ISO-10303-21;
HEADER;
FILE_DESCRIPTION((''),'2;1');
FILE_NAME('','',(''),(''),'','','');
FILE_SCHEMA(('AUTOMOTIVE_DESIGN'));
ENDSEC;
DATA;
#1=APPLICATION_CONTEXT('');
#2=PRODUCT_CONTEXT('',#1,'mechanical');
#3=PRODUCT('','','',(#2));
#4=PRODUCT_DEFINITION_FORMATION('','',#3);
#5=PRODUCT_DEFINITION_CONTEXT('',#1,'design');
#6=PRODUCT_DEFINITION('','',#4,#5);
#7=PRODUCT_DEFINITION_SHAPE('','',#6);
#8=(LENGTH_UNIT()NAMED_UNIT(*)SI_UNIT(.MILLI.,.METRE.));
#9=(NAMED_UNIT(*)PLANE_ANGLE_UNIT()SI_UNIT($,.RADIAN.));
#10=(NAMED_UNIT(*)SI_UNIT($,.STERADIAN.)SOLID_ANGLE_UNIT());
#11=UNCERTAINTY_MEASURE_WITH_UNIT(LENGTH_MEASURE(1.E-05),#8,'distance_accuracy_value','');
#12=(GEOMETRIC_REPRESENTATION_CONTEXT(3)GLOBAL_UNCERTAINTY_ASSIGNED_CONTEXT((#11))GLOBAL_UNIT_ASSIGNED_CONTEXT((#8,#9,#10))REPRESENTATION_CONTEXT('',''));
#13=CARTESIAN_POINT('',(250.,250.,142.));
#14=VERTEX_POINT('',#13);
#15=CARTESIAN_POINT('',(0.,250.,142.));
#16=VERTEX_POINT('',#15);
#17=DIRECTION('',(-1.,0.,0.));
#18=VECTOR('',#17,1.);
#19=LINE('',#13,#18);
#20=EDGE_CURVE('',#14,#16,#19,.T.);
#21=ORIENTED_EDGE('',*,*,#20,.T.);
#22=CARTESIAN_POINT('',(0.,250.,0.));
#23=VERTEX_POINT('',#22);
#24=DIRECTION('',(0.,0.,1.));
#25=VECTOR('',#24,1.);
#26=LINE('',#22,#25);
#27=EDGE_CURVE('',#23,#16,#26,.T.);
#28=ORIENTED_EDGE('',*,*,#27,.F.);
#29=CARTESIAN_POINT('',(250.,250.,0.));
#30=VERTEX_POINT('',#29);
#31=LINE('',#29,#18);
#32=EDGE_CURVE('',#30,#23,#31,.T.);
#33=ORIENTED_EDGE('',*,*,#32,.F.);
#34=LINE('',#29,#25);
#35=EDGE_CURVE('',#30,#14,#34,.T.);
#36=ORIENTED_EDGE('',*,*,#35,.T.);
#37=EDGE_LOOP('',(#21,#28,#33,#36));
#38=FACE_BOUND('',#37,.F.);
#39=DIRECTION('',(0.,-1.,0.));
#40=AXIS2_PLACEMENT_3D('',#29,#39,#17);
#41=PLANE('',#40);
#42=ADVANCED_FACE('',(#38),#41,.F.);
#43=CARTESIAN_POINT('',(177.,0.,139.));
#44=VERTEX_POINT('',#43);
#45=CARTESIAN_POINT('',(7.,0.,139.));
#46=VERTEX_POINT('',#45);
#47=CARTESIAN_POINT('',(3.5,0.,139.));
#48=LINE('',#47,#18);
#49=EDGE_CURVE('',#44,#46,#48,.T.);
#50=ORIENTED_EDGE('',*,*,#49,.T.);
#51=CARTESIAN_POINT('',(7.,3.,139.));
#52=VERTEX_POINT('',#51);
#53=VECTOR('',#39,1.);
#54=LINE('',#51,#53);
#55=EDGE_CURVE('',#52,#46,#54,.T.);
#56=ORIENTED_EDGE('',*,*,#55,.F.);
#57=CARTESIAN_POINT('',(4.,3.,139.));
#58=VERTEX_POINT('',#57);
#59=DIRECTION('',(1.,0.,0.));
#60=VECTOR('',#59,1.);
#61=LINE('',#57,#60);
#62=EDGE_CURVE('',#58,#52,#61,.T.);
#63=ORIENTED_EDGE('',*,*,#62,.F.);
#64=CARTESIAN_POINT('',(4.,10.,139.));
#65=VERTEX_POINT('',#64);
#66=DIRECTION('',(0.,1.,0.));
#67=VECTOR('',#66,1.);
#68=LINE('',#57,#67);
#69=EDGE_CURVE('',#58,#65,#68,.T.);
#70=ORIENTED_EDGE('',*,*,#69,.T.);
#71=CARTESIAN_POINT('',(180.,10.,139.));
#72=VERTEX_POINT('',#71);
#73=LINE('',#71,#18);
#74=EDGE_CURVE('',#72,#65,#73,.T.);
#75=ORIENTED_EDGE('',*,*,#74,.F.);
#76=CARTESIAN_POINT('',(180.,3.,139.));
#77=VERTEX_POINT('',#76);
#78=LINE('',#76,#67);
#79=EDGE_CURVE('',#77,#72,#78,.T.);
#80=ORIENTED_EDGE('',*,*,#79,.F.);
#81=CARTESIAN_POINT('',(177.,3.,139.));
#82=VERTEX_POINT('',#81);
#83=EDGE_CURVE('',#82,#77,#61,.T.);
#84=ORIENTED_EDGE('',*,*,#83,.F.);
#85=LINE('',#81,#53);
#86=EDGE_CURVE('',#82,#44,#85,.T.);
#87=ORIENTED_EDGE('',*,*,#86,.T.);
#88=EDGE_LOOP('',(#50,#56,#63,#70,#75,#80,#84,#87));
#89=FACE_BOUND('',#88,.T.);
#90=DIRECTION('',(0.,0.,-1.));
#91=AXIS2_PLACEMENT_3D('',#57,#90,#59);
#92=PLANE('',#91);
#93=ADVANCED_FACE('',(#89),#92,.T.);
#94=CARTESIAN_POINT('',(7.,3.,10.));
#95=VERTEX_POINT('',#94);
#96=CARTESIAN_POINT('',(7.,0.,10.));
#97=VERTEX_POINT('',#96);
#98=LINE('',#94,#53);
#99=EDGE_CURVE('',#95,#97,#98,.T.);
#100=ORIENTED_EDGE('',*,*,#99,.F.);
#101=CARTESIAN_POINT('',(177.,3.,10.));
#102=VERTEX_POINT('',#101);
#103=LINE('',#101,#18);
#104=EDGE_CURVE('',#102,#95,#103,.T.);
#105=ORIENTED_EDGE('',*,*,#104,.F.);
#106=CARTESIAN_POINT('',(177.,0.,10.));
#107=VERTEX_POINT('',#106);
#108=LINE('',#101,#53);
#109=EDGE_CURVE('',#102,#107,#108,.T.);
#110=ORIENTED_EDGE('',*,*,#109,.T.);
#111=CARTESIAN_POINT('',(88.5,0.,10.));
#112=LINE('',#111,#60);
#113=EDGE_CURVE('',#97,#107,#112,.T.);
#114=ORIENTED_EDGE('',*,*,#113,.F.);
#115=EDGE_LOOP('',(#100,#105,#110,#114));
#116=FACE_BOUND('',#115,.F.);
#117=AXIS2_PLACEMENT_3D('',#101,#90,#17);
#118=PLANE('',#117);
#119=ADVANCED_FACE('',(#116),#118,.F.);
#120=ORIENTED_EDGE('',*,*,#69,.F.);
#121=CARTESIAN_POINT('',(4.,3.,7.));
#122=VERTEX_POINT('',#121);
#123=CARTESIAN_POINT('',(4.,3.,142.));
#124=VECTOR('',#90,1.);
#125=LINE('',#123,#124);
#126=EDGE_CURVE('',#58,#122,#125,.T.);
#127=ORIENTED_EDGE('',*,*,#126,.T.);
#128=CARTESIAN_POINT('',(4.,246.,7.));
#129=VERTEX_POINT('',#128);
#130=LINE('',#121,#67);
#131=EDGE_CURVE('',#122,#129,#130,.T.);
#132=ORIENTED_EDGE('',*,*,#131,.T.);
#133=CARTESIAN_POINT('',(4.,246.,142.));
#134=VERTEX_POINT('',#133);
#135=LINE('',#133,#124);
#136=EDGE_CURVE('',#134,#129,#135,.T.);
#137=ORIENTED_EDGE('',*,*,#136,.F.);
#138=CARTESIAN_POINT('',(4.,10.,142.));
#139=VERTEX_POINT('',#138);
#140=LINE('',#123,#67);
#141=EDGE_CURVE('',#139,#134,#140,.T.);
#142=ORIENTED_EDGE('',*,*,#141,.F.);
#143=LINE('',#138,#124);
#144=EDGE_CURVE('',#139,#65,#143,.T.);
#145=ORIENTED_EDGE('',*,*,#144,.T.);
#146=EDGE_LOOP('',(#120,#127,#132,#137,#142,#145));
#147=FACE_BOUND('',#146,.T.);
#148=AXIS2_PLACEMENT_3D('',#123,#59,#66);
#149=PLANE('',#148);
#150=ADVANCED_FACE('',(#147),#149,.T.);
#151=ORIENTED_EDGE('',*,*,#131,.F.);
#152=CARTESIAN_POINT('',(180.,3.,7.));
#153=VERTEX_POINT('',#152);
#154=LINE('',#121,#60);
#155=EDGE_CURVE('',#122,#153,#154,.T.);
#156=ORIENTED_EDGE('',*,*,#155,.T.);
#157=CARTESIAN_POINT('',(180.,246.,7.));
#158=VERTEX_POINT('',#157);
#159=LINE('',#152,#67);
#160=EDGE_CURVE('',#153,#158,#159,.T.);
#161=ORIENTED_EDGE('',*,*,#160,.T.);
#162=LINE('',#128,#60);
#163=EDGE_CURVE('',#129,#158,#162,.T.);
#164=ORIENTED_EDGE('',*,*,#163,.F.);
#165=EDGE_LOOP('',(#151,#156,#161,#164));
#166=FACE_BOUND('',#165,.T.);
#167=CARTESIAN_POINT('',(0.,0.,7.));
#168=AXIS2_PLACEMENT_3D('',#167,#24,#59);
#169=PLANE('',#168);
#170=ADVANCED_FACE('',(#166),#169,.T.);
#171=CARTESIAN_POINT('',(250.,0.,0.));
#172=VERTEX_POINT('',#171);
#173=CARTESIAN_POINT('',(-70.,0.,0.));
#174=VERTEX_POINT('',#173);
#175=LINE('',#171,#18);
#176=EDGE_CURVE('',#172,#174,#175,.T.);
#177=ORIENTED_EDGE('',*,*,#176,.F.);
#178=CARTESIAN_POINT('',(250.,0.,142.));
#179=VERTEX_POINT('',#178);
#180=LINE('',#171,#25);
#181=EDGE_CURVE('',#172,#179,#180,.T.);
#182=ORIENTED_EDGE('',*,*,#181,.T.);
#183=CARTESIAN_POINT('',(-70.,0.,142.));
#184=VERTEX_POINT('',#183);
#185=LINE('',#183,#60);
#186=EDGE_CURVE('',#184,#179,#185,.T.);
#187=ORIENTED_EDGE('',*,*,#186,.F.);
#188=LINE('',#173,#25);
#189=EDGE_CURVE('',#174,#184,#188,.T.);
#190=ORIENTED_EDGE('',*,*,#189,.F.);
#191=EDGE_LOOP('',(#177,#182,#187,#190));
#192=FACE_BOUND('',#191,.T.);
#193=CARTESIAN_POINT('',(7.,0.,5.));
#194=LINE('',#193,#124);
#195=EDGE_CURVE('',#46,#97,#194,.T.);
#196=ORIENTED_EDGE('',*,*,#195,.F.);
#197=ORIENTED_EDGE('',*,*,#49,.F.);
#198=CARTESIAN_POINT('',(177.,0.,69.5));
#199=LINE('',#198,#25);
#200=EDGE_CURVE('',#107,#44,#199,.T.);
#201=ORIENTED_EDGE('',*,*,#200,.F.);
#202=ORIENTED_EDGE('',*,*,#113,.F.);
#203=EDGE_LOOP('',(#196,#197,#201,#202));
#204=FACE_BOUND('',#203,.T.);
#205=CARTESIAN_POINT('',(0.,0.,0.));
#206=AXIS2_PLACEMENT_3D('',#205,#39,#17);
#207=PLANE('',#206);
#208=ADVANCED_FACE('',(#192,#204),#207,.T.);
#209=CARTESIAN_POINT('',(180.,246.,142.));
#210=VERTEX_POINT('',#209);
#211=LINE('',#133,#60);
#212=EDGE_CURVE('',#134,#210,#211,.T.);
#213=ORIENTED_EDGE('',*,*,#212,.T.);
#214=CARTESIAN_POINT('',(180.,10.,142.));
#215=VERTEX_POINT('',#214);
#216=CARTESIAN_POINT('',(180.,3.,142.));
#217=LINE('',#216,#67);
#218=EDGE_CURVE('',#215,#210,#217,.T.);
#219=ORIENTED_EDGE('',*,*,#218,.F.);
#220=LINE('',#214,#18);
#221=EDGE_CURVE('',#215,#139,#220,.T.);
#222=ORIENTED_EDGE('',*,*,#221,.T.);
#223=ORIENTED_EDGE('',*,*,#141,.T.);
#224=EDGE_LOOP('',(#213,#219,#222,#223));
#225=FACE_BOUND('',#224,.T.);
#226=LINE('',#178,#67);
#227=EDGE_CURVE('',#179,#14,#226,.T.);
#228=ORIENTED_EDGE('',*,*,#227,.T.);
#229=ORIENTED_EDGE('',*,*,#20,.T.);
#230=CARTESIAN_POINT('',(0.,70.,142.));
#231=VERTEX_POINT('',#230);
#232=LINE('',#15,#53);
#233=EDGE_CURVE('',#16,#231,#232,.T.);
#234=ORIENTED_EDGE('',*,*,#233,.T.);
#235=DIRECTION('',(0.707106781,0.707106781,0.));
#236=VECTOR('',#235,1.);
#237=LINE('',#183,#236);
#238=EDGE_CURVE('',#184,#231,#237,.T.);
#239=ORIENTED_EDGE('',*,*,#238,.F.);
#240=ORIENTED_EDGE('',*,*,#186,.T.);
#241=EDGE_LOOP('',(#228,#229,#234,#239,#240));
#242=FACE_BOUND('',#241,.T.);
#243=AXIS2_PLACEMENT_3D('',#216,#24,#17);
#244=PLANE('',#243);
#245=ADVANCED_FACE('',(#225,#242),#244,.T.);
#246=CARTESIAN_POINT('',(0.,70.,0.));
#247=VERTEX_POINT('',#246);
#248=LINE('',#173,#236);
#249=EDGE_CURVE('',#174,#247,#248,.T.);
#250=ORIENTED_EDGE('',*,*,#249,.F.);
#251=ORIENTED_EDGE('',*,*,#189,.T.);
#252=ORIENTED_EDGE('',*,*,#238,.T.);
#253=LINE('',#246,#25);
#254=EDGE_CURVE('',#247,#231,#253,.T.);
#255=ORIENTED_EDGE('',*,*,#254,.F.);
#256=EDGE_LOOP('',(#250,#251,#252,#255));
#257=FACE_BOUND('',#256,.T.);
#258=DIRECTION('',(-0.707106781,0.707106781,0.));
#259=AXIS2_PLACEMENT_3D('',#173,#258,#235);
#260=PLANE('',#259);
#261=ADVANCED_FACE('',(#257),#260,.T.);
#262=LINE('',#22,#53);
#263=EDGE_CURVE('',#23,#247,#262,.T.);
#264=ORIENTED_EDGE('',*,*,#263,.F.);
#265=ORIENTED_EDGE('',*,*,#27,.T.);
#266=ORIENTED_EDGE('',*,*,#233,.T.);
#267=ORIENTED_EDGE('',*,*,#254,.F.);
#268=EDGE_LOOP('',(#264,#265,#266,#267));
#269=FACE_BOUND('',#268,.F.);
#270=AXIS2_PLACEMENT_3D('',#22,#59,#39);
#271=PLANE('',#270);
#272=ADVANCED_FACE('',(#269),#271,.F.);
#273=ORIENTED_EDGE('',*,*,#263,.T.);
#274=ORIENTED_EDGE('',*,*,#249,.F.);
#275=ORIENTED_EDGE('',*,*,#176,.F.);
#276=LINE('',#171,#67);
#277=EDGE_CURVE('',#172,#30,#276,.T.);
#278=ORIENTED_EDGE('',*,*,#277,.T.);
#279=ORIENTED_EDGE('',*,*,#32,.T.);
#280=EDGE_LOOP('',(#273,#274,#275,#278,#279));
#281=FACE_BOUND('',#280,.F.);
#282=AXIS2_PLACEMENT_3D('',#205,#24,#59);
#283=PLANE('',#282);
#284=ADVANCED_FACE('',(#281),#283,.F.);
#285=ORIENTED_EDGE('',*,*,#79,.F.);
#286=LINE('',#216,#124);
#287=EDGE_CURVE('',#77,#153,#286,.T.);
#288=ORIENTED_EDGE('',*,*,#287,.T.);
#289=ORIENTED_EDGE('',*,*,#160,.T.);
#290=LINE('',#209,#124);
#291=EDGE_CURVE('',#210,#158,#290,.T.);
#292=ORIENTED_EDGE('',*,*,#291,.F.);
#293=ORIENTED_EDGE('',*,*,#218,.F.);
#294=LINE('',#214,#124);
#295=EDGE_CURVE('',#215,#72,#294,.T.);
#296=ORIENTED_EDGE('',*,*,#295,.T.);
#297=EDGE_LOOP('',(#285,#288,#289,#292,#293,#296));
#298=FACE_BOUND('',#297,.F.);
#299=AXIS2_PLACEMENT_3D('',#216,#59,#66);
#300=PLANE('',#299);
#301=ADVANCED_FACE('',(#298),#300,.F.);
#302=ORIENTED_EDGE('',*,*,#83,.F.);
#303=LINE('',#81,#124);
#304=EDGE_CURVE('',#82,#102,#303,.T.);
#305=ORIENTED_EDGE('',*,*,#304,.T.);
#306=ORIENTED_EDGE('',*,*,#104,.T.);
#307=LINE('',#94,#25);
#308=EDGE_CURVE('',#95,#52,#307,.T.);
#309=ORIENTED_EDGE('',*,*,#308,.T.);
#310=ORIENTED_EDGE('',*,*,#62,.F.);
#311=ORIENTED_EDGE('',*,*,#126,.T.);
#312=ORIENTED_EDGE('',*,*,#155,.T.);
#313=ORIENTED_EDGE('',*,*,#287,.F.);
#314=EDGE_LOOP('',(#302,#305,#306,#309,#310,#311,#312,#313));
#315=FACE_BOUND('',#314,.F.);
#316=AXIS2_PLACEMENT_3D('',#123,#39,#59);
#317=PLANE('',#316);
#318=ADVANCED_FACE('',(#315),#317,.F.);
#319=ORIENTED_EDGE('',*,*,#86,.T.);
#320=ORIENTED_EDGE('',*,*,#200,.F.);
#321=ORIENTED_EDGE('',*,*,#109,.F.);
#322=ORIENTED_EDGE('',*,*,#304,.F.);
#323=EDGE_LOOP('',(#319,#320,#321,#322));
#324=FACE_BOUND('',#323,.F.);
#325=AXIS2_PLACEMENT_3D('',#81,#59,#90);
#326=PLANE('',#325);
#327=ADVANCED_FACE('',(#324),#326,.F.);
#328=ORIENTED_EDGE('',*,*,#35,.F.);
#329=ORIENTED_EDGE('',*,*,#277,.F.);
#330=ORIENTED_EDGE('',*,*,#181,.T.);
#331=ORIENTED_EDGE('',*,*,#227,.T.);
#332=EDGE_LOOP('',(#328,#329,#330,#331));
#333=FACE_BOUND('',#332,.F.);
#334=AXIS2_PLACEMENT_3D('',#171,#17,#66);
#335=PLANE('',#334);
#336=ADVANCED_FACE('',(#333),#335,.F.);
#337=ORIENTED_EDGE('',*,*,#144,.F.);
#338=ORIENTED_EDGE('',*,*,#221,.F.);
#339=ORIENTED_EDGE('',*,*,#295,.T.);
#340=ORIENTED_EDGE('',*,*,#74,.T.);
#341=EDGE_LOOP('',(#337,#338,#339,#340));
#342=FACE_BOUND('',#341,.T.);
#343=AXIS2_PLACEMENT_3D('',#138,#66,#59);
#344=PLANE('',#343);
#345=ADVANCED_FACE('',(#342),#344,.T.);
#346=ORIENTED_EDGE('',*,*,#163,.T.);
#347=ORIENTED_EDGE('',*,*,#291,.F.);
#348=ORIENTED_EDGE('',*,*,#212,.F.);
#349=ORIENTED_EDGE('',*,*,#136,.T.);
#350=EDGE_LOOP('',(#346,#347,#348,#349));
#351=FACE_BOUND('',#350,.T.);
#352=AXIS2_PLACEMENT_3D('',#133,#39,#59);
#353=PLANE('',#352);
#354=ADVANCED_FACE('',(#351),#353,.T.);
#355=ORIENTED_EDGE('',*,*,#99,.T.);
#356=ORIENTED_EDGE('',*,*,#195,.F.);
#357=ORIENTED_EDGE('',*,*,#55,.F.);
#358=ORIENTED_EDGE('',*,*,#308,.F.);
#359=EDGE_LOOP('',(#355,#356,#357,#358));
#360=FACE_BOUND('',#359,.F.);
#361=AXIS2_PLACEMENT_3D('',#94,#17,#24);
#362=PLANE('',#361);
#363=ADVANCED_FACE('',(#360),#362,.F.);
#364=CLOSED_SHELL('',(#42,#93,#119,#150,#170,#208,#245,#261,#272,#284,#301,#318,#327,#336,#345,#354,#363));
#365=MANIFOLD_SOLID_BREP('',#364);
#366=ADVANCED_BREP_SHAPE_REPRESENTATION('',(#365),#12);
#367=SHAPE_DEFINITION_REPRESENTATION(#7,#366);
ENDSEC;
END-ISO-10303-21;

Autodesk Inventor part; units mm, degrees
ref_plane "YZ Plane" through (0, 0, 0) normal (1, 0, 0) x (0, 1, 0)
ref_plane "XZ Plane" through (0, 0, 0) normal (0, 1, 0) x (-1, 0, 0)
ref_plane "XY Plane" through (0, 0, 0) normal (0, 0, 1) x (1, 0, 0)
sketch "Sketch1" plane through (0, 0, 0) normal (0, 0, 1) x (1, 0, 0)
  point P0 (0, 0)
sketch "Sketch2" plane through (0, 0, 0) normal (0, 0, 1) x (1, 0, 0)
  line L0 (0, 0) -> (250, 0)
  line L1 (250, 0) -> (250, 250)
  line L2 (250, 250) -> (0, 250)
  line L3 (0, 250) -> (0, 0)
  line L4 (0, 0) -> (-70, 0)
  line L5 (-70, 0) -> (0, 70)
  dimension "d0" = 250
  dimension "d1" = 250
  dimension "d2" = 70
  dimension "d3" = 45
extrude "Extrusion1" add sketch "Sketch2" along normal blind 142
sketch "Sketch3" plane through (0, 0, 142) normal (0, 0, 1) x (1, 0, 0)
  line L0 (4, 3) -> (180, 3)
  line L1 (-70, 0) -> (250, 0) projected
  line L2 (4, 3) -> (180, 3) construction
  line L3 (180, 3) -> (180, 246)
  line L4 (4, 3) -> (4, 246)
  line L5 (4, 3) -> (247, 3) construction
  line L6 (250, 250) -> (0, 250) projected
  line L7 (4, 246) -> (180, 246)
  point P0 (0, 0)
  dimension "d6" = 176
  dimension "d7" = 0
  dimension "d8" = 243
  dimension "d9" = 243
  dimension "d10" = 90
extrude "Extrusion2" cut sketch "Sketch3" against normal blind 135
sketch "Sketch4" plane through (4, 3, 142) normal (0, 1, 0) x (1, 0, 0)
  line L0 (3, 3) -> (173, 3)
  line L1 (176, 0) -> (0, 0) projected
  line L2 (173, 3) -> (173, 132)
  line L3 (173, 132) -> (3, 132)
  line L4 (176, 135) -> (0, 135) projected
  line L5 (3, 132) -> (3, 3)
  line L6 (176, 0) -> (176, 135) projected
  line L7 (0, 0) -> (0, 135) projected
  point P0 (-4, 142)
  dimension "d13" = 3
  dimension "d14" = 3
  dimension "d15" = 3
  dimension "d16" = 3
extrude "Extrusion3" cut sketch "Sketch4" against normal through all contours L5 L3 L2 L0
sketch "Sketch5" plane through (4, 3, 142) normal (0, 1, 0) x (1, 0, 0)
  line L0 (176, 0) -> (0, 0) projected
  line L1 (0, 0) -> (0, 3)
  line L2 (3, 3) -> (3, 132) projected
  line L3 (0, 3) -> (176, 3)
  line L4 (176, 0) -> (176, 135) projected
  line L5 (176, 0) -> (0, 0)
  line L6 (3, 3) -> (173, 3) projected
  point P0 (-4, 142)
extrude "Extrusion4" add sketch "Sketch5" along normal blind 7
